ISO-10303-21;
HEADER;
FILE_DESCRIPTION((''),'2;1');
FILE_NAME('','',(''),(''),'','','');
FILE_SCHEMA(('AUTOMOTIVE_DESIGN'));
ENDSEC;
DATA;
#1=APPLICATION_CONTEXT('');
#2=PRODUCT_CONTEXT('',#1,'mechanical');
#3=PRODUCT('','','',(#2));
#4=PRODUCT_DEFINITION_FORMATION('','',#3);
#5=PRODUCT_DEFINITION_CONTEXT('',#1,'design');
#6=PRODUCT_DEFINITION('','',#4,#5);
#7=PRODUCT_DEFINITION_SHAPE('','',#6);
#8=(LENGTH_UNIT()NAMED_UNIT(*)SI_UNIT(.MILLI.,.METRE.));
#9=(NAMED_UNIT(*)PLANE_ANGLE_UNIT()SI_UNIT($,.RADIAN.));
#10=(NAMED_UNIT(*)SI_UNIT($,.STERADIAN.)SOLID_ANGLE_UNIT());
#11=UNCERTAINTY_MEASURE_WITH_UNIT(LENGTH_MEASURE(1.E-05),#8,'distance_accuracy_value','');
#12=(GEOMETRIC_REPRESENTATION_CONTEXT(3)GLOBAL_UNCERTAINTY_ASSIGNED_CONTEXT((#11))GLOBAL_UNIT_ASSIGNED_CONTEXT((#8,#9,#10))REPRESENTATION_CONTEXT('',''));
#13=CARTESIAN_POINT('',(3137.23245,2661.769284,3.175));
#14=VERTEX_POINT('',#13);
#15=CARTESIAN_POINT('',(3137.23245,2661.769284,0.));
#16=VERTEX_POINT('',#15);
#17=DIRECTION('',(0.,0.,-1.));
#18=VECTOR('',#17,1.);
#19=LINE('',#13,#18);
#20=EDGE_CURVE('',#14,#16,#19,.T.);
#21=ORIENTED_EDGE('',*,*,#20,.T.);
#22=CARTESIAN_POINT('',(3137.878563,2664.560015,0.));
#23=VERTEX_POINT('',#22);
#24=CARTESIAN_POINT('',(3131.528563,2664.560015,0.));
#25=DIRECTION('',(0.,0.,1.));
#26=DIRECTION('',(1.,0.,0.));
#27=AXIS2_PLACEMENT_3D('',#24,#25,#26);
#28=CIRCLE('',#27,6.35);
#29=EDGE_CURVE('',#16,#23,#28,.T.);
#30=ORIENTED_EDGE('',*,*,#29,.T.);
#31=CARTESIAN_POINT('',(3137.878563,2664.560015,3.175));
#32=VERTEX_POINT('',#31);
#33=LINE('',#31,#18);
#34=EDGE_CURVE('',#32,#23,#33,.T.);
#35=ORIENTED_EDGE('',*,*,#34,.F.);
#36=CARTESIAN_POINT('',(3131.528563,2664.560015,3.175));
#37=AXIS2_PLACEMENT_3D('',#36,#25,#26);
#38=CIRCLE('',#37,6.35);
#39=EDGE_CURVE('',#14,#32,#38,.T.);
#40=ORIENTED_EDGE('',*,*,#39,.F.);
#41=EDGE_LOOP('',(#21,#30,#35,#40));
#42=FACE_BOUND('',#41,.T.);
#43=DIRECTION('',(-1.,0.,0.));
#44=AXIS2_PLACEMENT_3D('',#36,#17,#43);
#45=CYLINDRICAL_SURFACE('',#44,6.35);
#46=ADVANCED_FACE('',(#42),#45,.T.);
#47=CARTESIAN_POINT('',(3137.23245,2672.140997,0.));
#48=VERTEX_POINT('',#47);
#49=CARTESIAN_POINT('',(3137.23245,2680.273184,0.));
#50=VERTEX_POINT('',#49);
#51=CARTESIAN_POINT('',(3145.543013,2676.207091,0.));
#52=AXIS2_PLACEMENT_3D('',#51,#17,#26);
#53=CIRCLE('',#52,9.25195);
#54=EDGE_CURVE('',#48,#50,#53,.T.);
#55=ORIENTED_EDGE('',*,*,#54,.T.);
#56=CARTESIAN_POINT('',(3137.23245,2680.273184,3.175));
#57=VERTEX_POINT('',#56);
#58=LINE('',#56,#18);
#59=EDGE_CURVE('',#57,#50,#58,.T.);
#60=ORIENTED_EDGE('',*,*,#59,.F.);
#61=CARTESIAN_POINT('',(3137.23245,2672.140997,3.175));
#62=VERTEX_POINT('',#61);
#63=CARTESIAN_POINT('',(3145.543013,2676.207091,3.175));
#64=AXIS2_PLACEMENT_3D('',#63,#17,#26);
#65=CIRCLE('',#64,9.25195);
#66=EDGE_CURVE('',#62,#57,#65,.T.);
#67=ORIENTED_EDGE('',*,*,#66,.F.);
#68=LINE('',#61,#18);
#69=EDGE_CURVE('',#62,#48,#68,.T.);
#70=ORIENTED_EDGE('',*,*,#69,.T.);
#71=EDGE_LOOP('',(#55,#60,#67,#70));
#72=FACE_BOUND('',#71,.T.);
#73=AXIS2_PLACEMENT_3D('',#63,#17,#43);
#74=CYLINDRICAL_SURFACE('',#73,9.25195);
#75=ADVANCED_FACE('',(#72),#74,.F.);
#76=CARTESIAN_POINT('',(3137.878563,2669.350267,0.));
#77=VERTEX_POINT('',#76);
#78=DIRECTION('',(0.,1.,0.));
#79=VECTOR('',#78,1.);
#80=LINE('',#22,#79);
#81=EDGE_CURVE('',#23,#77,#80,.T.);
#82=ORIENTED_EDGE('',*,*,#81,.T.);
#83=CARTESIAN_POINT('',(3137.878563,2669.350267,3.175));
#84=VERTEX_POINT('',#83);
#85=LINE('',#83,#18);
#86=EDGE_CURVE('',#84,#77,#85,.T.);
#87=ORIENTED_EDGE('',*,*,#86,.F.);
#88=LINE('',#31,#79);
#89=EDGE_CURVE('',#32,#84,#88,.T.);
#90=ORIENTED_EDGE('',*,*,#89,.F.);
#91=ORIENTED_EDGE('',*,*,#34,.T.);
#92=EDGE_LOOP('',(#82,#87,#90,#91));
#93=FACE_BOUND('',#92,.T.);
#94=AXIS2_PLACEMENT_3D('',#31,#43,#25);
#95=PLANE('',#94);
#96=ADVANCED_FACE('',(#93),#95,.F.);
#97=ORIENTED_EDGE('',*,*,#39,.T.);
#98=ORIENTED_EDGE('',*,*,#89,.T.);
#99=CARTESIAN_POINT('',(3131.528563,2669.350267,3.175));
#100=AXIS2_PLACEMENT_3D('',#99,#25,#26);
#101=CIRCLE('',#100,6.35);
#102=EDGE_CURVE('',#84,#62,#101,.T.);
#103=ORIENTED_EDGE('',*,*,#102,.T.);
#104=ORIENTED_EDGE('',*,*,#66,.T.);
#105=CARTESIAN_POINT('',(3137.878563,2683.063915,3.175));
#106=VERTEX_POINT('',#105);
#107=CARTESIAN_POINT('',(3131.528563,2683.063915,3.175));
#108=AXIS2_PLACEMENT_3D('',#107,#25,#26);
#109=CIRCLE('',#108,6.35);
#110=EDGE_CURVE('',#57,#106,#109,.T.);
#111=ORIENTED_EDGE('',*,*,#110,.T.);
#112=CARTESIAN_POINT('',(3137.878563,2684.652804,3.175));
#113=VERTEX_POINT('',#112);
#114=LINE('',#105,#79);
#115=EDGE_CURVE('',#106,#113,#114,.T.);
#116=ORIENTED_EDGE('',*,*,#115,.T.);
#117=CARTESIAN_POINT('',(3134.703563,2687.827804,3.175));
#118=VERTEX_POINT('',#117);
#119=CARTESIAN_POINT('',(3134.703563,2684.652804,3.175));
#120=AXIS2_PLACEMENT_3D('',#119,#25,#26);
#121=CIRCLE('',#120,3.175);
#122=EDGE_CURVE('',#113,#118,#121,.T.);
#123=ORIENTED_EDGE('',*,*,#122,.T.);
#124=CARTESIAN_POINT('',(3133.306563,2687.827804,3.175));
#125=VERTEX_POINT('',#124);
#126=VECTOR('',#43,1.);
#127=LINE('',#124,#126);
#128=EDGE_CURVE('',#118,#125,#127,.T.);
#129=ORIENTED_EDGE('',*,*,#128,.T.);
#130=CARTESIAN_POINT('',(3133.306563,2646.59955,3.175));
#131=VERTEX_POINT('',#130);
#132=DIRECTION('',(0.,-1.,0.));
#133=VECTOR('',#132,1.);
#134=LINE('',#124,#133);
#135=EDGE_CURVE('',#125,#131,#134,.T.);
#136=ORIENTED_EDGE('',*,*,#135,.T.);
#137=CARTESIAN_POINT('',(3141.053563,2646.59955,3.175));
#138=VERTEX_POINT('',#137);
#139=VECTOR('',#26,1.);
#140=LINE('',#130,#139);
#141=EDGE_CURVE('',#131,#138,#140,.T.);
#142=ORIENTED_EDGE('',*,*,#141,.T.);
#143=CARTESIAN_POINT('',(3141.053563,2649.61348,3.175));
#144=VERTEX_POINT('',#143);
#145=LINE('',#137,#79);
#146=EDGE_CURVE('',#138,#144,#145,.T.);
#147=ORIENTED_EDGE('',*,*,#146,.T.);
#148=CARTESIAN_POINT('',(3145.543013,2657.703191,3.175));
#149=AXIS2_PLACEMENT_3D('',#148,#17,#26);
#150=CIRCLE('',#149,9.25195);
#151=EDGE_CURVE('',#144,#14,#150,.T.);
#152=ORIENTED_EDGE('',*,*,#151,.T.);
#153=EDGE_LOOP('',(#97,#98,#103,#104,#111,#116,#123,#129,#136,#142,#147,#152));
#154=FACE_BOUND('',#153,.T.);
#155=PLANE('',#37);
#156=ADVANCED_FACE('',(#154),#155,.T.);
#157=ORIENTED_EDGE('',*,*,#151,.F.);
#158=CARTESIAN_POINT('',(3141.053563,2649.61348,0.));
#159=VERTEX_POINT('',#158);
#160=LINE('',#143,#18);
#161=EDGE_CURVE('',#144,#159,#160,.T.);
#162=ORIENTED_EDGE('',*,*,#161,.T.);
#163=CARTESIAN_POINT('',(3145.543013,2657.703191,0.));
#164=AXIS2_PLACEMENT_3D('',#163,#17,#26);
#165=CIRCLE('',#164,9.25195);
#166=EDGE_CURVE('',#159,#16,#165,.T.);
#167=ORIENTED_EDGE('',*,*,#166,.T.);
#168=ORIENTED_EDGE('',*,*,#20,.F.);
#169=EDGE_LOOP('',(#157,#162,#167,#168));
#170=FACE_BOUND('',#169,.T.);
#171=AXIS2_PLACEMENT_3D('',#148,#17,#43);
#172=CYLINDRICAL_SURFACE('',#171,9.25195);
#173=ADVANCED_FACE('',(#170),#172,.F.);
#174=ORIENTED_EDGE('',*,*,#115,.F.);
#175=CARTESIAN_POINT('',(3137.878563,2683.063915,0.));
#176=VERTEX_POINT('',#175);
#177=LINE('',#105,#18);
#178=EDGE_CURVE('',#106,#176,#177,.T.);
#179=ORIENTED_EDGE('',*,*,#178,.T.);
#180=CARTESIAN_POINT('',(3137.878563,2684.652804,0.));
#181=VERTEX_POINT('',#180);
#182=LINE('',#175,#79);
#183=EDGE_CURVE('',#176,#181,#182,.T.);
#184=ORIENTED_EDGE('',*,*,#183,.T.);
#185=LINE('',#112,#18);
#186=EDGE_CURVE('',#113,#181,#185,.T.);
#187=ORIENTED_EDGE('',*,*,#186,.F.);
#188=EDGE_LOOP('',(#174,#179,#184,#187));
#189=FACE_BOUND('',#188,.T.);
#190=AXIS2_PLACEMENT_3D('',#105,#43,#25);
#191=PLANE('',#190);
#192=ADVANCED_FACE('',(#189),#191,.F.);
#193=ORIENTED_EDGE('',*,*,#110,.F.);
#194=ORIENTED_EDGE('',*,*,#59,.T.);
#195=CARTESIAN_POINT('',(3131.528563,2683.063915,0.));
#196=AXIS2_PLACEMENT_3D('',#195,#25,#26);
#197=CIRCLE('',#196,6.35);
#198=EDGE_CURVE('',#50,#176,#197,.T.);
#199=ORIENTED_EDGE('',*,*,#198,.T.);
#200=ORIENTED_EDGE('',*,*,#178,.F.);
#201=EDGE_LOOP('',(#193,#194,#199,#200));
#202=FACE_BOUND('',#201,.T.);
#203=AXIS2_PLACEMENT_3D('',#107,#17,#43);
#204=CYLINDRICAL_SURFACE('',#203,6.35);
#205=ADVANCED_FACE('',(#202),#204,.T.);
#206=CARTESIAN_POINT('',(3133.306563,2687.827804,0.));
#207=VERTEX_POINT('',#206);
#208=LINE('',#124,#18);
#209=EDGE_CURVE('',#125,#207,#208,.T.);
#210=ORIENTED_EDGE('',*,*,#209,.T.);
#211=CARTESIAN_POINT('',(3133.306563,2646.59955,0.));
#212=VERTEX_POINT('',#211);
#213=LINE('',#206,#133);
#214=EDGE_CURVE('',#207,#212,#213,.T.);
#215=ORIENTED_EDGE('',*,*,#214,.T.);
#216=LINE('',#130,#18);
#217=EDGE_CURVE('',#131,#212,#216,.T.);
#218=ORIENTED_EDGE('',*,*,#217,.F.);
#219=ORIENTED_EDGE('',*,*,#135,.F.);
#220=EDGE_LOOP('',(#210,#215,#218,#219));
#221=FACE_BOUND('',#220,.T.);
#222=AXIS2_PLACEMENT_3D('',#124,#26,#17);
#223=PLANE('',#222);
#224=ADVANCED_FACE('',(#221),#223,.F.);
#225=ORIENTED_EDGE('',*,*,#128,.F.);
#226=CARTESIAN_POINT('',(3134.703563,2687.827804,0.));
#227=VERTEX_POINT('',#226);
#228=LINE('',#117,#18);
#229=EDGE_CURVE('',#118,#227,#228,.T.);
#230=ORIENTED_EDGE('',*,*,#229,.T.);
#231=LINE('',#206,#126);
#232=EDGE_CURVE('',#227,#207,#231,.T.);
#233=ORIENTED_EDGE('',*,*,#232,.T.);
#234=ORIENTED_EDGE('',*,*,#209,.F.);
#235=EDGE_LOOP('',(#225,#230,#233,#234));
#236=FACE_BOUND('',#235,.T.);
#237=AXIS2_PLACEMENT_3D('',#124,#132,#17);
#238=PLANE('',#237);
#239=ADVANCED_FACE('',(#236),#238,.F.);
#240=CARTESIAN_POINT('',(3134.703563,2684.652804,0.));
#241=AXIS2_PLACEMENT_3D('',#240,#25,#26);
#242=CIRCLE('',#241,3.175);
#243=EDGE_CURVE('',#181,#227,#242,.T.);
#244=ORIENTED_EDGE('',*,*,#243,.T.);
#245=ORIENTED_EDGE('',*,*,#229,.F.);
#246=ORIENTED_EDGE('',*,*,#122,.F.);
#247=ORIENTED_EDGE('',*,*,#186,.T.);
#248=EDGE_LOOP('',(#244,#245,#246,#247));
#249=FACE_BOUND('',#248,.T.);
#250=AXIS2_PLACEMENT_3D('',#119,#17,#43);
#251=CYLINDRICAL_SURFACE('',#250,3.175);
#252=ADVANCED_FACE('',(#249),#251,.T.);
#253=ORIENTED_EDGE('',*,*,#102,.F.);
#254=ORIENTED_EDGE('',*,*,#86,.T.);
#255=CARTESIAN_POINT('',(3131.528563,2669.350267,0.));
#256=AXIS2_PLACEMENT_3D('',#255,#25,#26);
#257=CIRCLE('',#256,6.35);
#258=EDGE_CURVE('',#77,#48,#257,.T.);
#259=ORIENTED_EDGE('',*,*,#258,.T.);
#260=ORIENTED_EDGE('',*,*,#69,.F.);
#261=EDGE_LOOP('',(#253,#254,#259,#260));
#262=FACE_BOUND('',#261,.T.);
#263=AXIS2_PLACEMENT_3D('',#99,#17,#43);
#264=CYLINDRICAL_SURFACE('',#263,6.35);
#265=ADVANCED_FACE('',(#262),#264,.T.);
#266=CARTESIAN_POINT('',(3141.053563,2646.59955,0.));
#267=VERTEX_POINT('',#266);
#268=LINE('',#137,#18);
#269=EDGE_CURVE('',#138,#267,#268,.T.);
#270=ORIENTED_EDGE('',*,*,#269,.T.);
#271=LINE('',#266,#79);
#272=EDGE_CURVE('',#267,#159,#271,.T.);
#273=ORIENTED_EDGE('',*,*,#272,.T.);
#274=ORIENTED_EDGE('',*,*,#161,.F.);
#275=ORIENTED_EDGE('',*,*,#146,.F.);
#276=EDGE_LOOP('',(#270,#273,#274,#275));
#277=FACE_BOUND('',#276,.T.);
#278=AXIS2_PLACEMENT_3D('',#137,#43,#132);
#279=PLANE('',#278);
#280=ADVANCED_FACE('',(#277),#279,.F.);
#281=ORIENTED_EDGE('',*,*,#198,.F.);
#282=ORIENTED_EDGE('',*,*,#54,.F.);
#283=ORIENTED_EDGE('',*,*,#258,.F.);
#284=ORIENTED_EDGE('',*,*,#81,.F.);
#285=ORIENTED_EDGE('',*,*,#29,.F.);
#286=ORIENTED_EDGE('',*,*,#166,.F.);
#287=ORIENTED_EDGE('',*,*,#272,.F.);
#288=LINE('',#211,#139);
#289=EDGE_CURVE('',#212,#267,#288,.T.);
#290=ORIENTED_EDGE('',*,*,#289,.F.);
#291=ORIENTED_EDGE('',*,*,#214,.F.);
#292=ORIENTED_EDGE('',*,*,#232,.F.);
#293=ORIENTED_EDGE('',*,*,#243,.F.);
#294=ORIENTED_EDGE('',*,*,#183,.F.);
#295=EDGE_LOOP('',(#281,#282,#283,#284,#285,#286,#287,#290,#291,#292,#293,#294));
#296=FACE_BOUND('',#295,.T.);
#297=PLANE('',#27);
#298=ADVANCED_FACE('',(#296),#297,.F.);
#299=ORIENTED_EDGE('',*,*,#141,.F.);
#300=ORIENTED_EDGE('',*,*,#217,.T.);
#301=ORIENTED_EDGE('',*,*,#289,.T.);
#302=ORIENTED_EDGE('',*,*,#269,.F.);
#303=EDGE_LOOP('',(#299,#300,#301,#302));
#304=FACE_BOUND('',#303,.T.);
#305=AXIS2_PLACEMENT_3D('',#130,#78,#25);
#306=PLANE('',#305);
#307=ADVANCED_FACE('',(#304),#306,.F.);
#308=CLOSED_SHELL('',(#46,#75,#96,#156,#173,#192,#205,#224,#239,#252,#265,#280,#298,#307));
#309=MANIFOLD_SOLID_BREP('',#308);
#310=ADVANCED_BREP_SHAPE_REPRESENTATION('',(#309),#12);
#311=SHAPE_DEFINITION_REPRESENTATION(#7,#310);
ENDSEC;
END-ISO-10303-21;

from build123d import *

# Parameters (mm, degrees)
BOSS_EXTRUDE1_DEPTH = 3.175


with BuildPart() as part:
    # Sketch1 → Boss-Extrude1 (new body)
    with BuildSketch(Plane.XY):
        with BuildLine():
            Line((3133.306563013, 2687.827804167), (3133.306563013, 2646.599549756))
            Line((3133.306563013, 2646.599549756), (3141.053563013, 2646.599549756))
            Line((3141.053563013, 2646.599549756), (3141.053563013, 2649.613480065))
            ThreePointArc((3141.053563013, 2649.613480065), (3136.716859864, 2654.928735867), (3137.232449867, 2661.769284485))
            ThreePointArc((3137.232449867, 2661.769284485), (3137.714926303, 2663.127740483), (3137.878563013, 2664.560014633))
            Line((3137.878563013, 2664.560014633), (3137.878563013, 2669.350266686))
            ThreePointArc((3137.878563013, 2669.350266686), (3137.714926303, 2670.782540835), (3137.232449867, 2672.140996834))
            ThreePointArc((3137.232449867, 2672.140996834), (3136.291063013, 2676.207090659), (3137.232449867, 2680.273184485))
            ThreePointArc((3137.232449867, 2680.273184485), (3137.714926303, 2681.631640483), (3137.878563013, 2683.063914633))
            Line((3137.878563013, 2683.063914633), (3137.878563013, 2684.652804167))
            ThreePointArc((3137.878563013, 2684.652804167), (3136.948627043, 2686.897868197), (3134.703563013, 2687.827804167))
            Line((3134.703563013, 2687.827804167), (3133.306563013, 2687.827804167))
        make_face()
    extrude(amount=BOSS_EXTRUDE1_DEPTH)


solid = part.part
